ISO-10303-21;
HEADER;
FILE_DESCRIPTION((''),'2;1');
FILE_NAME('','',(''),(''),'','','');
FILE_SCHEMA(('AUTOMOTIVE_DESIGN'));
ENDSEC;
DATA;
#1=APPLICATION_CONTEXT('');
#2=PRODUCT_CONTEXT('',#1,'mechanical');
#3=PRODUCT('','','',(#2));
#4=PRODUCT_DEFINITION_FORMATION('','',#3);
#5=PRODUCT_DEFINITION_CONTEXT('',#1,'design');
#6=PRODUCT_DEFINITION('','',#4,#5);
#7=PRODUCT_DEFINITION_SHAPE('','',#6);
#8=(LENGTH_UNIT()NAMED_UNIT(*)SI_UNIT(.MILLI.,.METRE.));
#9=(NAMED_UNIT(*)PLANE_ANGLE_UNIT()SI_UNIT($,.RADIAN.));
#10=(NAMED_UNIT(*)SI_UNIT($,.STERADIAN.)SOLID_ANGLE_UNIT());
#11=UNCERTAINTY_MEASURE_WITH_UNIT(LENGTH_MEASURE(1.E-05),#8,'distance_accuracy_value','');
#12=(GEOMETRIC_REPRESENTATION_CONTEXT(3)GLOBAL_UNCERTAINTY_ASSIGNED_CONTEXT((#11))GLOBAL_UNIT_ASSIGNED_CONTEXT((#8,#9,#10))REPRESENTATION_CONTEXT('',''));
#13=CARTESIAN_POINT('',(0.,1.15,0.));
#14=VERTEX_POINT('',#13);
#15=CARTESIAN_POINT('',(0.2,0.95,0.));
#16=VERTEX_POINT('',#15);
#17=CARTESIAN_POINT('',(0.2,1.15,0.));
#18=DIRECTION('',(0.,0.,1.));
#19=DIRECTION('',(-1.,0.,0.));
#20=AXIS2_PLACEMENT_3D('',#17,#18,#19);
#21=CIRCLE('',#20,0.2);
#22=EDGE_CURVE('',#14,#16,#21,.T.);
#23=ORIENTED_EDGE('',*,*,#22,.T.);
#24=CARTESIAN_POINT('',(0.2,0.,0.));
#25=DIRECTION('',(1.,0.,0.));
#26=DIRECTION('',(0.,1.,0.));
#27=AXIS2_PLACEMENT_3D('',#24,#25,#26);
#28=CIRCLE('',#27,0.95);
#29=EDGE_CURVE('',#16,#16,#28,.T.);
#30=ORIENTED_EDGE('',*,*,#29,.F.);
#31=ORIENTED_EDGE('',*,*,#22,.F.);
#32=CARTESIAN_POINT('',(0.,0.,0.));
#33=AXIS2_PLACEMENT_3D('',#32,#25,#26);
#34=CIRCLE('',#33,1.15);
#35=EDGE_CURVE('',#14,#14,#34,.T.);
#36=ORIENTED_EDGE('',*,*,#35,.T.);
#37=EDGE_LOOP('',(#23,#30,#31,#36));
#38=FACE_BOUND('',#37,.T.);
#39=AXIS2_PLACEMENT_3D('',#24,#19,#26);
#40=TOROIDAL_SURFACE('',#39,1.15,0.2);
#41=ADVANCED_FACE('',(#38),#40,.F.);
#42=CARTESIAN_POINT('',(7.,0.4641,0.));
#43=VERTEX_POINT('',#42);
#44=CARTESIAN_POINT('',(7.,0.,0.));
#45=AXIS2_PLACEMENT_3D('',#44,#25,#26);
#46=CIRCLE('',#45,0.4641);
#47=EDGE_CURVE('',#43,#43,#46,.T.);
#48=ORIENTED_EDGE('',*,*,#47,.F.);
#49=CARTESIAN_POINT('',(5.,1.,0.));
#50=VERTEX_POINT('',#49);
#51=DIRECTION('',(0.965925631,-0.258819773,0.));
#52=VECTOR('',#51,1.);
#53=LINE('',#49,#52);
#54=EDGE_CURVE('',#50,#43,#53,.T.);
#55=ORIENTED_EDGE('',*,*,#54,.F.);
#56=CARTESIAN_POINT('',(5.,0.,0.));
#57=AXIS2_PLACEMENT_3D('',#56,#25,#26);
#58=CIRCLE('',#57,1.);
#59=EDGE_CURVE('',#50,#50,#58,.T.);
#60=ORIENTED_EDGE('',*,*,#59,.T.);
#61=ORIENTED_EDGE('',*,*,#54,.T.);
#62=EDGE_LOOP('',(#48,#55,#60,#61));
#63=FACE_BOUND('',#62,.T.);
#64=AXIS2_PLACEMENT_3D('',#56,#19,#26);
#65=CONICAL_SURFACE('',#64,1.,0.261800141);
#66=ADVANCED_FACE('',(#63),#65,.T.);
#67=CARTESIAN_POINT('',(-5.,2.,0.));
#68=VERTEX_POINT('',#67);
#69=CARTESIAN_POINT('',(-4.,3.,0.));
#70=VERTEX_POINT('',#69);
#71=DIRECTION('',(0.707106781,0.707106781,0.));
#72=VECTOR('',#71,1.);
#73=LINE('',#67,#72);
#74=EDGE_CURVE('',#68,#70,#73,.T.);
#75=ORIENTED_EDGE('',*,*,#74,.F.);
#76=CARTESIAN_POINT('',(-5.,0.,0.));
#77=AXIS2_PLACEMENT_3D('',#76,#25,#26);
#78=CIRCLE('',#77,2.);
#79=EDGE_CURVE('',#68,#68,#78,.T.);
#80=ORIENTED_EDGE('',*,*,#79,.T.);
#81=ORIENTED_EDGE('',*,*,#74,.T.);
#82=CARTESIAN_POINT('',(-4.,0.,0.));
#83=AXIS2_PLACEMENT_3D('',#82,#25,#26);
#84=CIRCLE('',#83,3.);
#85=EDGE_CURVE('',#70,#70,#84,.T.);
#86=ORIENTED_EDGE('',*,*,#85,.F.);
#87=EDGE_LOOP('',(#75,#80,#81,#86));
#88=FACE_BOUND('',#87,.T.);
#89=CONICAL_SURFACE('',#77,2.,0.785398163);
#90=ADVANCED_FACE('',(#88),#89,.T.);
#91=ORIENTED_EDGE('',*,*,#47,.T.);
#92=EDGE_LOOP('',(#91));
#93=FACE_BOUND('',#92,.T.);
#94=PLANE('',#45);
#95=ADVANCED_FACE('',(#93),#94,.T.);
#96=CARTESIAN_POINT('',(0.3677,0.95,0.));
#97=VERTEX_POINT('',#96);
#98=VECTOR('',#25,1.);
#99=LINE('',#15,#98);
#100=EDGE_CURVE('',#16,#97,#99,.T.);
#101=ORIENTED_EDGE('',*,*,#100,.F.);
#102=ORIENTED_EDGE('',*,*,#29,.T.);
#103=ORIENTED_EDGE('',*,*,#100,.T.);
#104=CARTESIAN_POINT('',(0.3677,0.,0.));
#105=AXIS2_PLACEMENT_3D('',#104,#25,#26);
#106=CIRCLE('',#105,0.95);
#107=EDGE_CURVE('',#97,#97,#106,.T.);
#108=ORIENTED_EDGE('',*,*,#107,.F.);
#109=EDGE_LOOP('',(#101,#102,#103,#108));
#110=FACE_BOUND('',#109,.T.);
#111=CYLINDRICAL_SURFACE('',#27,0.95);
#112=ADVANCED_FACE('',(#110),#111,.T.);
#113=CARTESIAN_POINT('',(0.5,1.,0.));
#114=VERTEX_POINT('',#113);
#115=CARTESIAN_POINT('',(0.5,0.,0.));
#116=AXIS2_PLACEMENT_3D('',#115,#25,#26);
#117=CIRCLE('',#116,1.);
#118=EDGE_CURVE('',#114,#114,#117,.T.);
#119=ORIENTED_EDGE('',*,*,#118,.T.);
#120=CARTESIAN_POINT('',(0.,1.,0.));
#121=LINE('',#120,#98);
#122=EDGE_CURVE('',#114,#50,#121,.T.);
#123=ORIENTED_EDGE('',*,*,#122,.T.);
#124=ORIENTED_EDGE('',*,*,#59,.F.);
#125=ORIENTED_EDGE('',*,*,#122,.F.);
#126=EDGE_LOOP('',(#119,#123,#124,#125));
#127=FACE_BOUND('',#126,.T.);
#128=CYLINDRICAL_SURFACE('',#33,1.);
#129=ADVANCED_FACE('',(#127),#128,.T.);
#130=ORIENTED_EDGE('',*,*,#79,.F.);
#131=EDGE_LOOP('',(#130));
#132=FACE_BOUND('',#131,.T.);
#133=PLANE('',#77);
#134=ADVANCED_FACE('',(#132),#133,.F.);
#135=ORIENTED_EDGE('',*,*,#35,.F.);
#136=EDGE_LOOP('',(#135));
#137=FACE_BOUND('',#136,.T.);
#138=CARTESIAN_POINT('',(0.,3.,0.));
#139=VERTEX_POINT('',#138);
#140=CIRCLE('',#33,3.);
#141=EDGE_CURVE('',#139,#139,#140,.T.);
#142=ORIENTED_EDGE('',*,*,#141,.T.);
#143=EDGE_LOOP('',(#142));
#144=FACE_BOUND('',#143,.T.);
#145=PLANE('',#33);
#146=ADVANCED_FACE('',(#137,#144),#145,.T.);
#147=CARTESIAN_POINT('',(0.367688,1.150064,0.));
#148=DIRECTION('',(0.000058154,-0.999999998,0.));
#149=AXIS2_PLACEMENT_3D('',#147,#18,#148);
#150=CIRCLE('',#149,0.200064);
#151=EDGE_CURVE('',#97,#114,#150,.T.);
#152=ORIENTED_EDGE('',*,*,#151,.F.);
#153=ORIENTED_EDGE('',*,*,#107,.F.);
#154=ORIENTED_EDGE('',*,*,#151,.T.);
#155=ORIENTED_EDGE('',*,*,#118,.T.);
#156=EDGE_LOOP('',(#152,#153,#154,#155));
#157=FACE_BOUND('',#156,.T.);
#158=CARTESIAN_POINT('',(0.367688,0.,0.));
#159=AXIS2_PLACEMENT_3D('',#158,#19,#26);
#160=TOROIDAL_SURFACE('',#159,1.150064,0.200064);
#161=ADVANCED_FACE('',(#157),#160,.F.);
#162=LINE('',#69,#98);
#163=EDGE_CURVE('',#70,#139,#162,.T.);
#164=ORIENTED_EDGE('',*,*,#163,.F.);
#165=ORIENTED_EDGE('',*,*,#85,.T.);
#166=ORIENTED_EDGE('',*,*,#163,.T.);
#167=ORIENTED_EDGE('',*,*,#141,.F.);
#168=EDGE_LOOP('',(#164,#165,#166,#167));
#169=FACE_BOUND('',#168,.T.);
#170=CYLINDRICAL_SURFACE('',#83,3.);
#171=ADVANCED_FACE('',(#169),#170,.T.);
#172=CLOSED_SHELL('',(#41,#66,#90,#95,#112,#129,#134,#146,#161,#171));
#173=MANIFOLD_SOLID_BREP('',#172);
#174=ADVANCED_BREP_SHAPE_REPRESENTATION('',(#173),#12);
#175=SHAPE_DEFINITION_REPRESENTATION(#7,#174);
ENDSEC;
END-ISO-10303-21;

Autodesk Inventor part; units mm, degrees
ref_plane "YZ Plane" through (0, 0, 0) normal (1, 0, 0) x (0, 1, 0)
ref_plane "XZ Plane" through (0, 0, 0) normal (0, 1, 0) x (-1, 0, 0)
ref_plane "XY Plane" through (0, 0, 0) normal (0, 0, 1) x (1, 0, 0)
sketch "Sketch_1" plane through (0, 0, 0) normal (0, 0, 1) x (1, 0, 0)
  line L0 (0, 0) -> (-5, 0)
  line L1 (-5, 0) -> (-5, 2)
  line L2 (-5, 2) -> (-4, 3)
  line L3 (-4, 3) -> (0.5, 3)
  line L4 (0.5, 3) -> (0.5, 0)
  line L5 (0.5, 0) -> (-5, 0)
revolve "Revolution1" add sketch "Sketch_1" angle 360 about axis through (0, 0, 0) along (1, 0, 0)
sketch "Sketch_2" plane through (0, 0, 0) normal (0, 0, 1) x (1, 0, 0)
  line L0 (7, 0) -> (0, 0)
  line L1 (0, 0) -> (0, 1)
  line L2 (0, 1) -> (5, 1)
  line L3 (5, 1) -> (7, 0.4641)
  line L4 (7, 0.4641) -> (7, 0)
  line L5 (7, 0) -> (0, 0)
revolve "Revolution2" add sketch "Sketch_2" angle 360 about axis through (7, 0, 0) along (1, 0, 0)
sketch "Sketch_13" plane through (0, 0, 0) normal (0, 0, 1) x (1, 0, 0)
  line L0 (50, 0) -> (-50, 0)
  line L1 (0, 6) -> (0, 1.15)
  arc A0 (0, 1.15) -> (0.2, 0.95) centre (0.2, 1.15) ccw
  line L2 (0.2, 0.95) -> (0.3677, 0.95)
  arc A1 (0.3677, 0.95) -> (0.5, 1) centre (0.3677, 1.15) ccw
  line L3 (0.5, 1) -> (0.5, 6)
  line L4 (0.5, 6) -> (0, 6)
revolve "Revolution3" cut sketch "Sketch_13" angle 360 about axis through (50, 0, 0) along (1, 0, 0)
properties part number "SFPSA6-P2-L5-B5"
